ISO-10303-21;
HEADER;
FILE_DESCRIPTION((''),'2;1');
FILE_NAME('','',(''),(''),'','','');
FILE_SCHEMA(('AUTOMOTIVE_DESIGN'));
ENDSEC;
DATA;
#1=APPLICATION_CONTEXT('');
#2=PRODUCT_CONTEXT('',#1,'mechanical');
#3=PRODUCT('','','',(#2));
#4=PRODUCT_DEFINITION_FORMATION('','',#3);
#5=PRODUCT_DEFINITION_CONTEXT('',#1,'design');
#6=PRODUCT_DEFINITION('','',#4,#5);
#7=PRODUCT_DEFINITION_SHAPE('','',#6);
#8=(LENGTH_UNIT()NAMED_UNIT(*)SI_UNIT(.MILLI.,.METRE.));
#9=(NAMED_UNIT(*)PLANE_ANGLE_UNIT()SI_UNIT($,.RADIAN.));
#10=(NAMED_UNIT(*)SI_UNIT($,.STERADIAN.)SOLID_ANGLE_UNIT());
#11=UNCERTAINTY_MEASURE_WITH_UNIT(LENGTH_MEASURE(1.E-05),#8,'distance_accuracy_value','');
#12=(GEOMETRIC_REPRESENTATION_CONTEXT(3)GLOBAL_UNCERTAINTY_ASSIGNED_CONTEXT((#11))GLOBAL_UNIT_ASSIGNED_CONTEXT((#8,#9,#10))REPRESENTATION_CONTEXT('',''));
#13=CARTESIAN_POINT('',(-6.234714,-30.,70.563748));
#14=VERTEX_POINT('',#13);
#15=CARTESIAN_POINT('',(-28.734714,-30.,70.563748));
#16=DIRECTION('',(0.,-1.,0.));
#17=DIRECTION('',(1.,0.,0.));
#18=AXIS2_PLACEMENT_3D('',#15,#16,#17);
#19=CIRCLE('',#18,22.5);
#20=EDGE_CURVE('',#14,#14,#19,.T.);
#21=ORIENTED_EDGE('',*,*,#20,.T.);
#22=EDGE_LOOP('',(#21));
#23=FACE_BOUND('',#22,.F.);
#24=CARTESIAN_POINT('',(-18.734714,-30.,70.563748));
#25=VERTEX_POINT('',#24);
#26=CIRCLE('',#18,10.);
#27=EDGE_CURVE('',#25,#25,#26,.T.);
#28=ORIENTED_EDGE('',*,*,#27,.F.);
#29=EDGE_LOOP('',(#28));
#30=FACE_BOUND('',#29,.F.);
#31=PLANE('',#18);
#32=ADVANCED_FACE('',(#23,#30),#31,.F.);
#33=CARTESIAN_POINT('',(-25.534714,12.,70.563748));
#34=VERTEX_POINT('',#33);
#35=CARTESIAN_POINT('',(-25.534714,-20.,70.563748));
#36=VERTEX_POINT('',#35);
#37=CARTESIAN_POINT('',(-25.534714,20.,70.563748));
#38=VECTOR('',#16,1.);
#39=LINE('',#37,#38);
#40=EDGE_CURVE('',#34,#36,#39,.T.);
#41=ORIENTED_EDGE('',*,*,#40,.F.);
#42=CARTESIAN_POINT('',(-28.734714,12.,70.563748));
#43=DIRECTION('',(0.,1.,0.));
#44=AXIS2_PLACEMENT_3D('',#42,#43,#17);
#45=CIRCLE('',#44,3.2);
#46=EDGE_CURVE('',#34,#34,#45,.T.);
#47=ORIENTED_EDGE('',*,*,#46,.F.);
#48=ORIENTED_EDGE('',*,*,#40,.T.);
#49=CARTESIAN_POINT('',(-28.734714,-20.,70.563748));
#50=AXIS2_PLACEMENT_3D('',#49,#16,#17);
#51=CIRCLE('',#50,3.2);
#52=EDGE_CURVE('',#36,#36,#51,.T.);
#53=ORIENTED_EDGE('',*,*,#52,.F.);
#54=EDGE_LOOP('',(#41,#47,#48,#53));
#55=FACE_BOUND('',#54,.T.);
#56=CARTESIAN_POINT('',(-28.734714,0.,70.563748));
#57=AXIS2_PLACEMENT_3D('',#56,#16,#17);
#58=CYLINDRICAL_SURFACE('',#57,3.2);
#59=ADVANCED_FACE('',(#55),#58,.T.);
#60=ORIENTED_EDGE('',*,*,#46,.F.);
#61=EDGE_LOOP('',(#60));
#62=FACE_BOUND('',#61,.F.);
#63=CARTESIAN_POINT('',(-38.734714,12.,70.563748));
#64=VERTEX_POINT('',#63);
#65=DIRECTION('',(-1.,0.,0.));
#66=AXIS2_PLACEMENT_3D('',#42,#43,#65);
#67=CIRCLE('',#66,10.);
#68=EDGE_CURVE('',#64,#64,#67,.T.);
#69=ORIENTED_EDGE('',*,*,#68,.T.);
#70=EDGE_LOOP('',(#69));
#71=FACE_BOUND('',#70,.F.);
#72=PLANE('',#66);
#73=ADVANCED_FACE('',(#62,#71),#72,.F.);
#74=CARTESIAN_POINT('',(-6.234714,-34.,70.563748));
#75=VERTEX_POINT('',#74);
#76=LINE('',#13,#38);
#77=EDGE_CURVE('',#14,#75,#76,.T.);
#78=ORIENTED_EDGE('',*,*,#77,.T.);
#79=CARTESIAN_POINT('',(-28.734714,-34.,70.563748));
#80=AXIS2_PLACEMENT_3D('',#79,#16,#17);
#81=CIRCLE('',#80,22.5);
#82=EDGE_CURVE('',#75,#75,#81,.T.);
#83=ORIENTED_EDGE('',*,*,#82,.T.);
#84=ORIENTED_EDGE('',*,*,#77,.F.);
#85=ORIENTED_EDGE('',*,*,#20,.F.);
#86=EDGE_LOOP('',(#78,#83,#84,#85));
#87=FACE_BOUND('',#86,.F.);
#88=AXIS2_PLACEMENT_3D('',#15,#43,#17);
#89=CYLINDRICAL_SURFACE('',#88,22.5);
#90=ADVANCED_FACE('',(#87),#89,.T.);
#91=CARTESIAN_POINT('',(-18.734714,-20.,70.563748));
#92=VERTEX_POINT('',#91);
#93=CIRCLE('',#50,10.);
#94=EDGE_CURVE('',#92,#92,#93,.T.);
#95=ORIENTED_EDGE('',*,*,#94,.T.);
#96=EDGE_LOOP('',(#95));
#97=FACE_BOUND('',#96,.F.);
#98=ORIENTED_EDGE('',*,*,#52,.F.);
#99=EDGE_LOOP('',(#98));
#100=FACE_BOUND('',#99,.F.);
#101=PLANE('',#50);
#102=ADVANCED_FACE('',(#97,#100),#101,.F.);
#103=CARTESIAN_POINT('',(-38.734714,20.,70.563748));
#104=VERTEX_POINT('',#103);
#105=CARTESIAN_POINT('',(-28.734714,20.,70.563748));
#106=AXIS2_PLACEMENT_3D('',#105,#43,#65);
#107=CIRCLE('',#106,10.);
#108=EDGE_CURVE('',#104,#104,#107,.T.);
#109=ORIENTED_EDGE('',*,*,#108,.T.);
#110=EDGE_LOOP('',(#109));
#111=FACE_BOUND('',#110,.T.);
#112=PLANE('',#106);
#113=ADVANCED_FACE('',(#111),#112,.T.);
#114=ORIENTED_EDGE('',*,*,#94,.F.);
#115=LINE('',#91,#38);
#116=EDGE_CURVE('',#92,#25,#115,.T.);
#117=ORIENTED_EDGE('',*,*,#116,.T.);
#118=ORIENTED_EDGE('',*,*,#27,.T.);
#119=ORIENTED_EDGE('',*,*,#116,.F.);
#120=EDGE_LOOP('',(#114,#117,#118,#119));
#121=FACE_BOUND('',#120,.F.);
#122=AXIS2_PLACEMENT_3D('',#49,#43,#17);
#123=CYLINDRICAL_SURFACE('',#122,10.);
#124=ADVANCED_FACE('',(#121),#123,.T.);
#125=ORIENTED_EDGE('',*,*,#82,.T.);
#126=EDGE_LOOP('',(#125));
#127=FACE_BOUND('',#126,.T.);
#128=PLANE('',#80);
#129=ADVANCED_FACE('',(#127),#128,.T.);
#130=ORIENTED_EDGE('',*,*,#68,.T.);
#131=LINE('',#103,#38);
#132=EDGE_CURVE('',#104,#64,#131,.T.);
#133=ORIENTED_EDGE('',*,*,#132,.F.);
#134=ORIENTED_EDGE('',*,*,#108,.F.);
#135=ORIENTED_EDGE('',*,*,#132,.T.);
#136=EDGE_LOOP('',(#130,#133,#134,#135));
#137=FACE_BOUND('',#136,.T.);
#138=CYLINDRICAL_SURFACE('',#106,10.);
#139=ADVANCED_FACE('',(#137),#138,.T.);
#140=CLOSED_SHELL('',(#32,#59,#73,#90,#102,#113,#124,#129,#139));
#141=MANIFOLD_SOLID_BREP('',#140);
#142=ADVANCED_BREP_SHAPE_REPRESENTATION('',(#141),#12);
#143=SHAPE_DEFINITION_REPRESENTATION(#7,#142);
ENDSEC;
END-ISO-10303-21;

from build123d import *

# Parameters (mm, degrees)
F0_R     = 3.2
F1_DEPTH = 20
F2_R     = 10
F3_DEPTH = 10
F4_R     = 22.5
F4_R_2   = 10
F5_DEPTH = 4
F6_R     = 10
F6_R_2   = 3.2
F7_DEPTH = 8


with BuildPart() as f1:
    # F0 (on Front) → F1 (new body, symmetric)
    with BuildSketch(Plane.XZ):
        with Locations((-28.7347137928, 70.5637484789)):
            Circle(F0_R)
    extrude(amount=F1_DEPTH, both=True)

    # F2 (on face) → F3 (join)
    with BuildSketch(Plane.XZ.offset(20)):
        with Locations((-28.7347137928, 70.5637484789)):
            Circle(F2_R)
    extrude(amount=F3_DEPTH)

    # F4 (on face) → F5 (join)
    with BuildSketch(Plane.XZ.offset(30)):
        with Locations((-28.7347137928, 70.5637484789)):
            Circle(F4_R)
        with Locations((-28.7347137928, 70.5637484789)):
            Circle(F4_R_2, mode=Mode.SUBTRACT)
        with Locations((-28.7347137928, 70.5637484789)):
            Circle(F4_R_2)
    extrude(amount=F5_DEPTH)

    # F6 (on face) → F7 (join)
    with BuildSketch(Plane(origin=(0, 20, 0), x_dir=(-1, 0, 0), z_dir=(0, 1, 0))):
        with Locations((28.7347137928, 70.5637484789)):
            Circle(F6_R)
        with Locations((28.7347137928, 70.5637484789)):
            Circle(F6_R_2, mode=Mode.SUBTRACT)
    extrude(amount=-F7_DEPTH)


solid = f1.part
